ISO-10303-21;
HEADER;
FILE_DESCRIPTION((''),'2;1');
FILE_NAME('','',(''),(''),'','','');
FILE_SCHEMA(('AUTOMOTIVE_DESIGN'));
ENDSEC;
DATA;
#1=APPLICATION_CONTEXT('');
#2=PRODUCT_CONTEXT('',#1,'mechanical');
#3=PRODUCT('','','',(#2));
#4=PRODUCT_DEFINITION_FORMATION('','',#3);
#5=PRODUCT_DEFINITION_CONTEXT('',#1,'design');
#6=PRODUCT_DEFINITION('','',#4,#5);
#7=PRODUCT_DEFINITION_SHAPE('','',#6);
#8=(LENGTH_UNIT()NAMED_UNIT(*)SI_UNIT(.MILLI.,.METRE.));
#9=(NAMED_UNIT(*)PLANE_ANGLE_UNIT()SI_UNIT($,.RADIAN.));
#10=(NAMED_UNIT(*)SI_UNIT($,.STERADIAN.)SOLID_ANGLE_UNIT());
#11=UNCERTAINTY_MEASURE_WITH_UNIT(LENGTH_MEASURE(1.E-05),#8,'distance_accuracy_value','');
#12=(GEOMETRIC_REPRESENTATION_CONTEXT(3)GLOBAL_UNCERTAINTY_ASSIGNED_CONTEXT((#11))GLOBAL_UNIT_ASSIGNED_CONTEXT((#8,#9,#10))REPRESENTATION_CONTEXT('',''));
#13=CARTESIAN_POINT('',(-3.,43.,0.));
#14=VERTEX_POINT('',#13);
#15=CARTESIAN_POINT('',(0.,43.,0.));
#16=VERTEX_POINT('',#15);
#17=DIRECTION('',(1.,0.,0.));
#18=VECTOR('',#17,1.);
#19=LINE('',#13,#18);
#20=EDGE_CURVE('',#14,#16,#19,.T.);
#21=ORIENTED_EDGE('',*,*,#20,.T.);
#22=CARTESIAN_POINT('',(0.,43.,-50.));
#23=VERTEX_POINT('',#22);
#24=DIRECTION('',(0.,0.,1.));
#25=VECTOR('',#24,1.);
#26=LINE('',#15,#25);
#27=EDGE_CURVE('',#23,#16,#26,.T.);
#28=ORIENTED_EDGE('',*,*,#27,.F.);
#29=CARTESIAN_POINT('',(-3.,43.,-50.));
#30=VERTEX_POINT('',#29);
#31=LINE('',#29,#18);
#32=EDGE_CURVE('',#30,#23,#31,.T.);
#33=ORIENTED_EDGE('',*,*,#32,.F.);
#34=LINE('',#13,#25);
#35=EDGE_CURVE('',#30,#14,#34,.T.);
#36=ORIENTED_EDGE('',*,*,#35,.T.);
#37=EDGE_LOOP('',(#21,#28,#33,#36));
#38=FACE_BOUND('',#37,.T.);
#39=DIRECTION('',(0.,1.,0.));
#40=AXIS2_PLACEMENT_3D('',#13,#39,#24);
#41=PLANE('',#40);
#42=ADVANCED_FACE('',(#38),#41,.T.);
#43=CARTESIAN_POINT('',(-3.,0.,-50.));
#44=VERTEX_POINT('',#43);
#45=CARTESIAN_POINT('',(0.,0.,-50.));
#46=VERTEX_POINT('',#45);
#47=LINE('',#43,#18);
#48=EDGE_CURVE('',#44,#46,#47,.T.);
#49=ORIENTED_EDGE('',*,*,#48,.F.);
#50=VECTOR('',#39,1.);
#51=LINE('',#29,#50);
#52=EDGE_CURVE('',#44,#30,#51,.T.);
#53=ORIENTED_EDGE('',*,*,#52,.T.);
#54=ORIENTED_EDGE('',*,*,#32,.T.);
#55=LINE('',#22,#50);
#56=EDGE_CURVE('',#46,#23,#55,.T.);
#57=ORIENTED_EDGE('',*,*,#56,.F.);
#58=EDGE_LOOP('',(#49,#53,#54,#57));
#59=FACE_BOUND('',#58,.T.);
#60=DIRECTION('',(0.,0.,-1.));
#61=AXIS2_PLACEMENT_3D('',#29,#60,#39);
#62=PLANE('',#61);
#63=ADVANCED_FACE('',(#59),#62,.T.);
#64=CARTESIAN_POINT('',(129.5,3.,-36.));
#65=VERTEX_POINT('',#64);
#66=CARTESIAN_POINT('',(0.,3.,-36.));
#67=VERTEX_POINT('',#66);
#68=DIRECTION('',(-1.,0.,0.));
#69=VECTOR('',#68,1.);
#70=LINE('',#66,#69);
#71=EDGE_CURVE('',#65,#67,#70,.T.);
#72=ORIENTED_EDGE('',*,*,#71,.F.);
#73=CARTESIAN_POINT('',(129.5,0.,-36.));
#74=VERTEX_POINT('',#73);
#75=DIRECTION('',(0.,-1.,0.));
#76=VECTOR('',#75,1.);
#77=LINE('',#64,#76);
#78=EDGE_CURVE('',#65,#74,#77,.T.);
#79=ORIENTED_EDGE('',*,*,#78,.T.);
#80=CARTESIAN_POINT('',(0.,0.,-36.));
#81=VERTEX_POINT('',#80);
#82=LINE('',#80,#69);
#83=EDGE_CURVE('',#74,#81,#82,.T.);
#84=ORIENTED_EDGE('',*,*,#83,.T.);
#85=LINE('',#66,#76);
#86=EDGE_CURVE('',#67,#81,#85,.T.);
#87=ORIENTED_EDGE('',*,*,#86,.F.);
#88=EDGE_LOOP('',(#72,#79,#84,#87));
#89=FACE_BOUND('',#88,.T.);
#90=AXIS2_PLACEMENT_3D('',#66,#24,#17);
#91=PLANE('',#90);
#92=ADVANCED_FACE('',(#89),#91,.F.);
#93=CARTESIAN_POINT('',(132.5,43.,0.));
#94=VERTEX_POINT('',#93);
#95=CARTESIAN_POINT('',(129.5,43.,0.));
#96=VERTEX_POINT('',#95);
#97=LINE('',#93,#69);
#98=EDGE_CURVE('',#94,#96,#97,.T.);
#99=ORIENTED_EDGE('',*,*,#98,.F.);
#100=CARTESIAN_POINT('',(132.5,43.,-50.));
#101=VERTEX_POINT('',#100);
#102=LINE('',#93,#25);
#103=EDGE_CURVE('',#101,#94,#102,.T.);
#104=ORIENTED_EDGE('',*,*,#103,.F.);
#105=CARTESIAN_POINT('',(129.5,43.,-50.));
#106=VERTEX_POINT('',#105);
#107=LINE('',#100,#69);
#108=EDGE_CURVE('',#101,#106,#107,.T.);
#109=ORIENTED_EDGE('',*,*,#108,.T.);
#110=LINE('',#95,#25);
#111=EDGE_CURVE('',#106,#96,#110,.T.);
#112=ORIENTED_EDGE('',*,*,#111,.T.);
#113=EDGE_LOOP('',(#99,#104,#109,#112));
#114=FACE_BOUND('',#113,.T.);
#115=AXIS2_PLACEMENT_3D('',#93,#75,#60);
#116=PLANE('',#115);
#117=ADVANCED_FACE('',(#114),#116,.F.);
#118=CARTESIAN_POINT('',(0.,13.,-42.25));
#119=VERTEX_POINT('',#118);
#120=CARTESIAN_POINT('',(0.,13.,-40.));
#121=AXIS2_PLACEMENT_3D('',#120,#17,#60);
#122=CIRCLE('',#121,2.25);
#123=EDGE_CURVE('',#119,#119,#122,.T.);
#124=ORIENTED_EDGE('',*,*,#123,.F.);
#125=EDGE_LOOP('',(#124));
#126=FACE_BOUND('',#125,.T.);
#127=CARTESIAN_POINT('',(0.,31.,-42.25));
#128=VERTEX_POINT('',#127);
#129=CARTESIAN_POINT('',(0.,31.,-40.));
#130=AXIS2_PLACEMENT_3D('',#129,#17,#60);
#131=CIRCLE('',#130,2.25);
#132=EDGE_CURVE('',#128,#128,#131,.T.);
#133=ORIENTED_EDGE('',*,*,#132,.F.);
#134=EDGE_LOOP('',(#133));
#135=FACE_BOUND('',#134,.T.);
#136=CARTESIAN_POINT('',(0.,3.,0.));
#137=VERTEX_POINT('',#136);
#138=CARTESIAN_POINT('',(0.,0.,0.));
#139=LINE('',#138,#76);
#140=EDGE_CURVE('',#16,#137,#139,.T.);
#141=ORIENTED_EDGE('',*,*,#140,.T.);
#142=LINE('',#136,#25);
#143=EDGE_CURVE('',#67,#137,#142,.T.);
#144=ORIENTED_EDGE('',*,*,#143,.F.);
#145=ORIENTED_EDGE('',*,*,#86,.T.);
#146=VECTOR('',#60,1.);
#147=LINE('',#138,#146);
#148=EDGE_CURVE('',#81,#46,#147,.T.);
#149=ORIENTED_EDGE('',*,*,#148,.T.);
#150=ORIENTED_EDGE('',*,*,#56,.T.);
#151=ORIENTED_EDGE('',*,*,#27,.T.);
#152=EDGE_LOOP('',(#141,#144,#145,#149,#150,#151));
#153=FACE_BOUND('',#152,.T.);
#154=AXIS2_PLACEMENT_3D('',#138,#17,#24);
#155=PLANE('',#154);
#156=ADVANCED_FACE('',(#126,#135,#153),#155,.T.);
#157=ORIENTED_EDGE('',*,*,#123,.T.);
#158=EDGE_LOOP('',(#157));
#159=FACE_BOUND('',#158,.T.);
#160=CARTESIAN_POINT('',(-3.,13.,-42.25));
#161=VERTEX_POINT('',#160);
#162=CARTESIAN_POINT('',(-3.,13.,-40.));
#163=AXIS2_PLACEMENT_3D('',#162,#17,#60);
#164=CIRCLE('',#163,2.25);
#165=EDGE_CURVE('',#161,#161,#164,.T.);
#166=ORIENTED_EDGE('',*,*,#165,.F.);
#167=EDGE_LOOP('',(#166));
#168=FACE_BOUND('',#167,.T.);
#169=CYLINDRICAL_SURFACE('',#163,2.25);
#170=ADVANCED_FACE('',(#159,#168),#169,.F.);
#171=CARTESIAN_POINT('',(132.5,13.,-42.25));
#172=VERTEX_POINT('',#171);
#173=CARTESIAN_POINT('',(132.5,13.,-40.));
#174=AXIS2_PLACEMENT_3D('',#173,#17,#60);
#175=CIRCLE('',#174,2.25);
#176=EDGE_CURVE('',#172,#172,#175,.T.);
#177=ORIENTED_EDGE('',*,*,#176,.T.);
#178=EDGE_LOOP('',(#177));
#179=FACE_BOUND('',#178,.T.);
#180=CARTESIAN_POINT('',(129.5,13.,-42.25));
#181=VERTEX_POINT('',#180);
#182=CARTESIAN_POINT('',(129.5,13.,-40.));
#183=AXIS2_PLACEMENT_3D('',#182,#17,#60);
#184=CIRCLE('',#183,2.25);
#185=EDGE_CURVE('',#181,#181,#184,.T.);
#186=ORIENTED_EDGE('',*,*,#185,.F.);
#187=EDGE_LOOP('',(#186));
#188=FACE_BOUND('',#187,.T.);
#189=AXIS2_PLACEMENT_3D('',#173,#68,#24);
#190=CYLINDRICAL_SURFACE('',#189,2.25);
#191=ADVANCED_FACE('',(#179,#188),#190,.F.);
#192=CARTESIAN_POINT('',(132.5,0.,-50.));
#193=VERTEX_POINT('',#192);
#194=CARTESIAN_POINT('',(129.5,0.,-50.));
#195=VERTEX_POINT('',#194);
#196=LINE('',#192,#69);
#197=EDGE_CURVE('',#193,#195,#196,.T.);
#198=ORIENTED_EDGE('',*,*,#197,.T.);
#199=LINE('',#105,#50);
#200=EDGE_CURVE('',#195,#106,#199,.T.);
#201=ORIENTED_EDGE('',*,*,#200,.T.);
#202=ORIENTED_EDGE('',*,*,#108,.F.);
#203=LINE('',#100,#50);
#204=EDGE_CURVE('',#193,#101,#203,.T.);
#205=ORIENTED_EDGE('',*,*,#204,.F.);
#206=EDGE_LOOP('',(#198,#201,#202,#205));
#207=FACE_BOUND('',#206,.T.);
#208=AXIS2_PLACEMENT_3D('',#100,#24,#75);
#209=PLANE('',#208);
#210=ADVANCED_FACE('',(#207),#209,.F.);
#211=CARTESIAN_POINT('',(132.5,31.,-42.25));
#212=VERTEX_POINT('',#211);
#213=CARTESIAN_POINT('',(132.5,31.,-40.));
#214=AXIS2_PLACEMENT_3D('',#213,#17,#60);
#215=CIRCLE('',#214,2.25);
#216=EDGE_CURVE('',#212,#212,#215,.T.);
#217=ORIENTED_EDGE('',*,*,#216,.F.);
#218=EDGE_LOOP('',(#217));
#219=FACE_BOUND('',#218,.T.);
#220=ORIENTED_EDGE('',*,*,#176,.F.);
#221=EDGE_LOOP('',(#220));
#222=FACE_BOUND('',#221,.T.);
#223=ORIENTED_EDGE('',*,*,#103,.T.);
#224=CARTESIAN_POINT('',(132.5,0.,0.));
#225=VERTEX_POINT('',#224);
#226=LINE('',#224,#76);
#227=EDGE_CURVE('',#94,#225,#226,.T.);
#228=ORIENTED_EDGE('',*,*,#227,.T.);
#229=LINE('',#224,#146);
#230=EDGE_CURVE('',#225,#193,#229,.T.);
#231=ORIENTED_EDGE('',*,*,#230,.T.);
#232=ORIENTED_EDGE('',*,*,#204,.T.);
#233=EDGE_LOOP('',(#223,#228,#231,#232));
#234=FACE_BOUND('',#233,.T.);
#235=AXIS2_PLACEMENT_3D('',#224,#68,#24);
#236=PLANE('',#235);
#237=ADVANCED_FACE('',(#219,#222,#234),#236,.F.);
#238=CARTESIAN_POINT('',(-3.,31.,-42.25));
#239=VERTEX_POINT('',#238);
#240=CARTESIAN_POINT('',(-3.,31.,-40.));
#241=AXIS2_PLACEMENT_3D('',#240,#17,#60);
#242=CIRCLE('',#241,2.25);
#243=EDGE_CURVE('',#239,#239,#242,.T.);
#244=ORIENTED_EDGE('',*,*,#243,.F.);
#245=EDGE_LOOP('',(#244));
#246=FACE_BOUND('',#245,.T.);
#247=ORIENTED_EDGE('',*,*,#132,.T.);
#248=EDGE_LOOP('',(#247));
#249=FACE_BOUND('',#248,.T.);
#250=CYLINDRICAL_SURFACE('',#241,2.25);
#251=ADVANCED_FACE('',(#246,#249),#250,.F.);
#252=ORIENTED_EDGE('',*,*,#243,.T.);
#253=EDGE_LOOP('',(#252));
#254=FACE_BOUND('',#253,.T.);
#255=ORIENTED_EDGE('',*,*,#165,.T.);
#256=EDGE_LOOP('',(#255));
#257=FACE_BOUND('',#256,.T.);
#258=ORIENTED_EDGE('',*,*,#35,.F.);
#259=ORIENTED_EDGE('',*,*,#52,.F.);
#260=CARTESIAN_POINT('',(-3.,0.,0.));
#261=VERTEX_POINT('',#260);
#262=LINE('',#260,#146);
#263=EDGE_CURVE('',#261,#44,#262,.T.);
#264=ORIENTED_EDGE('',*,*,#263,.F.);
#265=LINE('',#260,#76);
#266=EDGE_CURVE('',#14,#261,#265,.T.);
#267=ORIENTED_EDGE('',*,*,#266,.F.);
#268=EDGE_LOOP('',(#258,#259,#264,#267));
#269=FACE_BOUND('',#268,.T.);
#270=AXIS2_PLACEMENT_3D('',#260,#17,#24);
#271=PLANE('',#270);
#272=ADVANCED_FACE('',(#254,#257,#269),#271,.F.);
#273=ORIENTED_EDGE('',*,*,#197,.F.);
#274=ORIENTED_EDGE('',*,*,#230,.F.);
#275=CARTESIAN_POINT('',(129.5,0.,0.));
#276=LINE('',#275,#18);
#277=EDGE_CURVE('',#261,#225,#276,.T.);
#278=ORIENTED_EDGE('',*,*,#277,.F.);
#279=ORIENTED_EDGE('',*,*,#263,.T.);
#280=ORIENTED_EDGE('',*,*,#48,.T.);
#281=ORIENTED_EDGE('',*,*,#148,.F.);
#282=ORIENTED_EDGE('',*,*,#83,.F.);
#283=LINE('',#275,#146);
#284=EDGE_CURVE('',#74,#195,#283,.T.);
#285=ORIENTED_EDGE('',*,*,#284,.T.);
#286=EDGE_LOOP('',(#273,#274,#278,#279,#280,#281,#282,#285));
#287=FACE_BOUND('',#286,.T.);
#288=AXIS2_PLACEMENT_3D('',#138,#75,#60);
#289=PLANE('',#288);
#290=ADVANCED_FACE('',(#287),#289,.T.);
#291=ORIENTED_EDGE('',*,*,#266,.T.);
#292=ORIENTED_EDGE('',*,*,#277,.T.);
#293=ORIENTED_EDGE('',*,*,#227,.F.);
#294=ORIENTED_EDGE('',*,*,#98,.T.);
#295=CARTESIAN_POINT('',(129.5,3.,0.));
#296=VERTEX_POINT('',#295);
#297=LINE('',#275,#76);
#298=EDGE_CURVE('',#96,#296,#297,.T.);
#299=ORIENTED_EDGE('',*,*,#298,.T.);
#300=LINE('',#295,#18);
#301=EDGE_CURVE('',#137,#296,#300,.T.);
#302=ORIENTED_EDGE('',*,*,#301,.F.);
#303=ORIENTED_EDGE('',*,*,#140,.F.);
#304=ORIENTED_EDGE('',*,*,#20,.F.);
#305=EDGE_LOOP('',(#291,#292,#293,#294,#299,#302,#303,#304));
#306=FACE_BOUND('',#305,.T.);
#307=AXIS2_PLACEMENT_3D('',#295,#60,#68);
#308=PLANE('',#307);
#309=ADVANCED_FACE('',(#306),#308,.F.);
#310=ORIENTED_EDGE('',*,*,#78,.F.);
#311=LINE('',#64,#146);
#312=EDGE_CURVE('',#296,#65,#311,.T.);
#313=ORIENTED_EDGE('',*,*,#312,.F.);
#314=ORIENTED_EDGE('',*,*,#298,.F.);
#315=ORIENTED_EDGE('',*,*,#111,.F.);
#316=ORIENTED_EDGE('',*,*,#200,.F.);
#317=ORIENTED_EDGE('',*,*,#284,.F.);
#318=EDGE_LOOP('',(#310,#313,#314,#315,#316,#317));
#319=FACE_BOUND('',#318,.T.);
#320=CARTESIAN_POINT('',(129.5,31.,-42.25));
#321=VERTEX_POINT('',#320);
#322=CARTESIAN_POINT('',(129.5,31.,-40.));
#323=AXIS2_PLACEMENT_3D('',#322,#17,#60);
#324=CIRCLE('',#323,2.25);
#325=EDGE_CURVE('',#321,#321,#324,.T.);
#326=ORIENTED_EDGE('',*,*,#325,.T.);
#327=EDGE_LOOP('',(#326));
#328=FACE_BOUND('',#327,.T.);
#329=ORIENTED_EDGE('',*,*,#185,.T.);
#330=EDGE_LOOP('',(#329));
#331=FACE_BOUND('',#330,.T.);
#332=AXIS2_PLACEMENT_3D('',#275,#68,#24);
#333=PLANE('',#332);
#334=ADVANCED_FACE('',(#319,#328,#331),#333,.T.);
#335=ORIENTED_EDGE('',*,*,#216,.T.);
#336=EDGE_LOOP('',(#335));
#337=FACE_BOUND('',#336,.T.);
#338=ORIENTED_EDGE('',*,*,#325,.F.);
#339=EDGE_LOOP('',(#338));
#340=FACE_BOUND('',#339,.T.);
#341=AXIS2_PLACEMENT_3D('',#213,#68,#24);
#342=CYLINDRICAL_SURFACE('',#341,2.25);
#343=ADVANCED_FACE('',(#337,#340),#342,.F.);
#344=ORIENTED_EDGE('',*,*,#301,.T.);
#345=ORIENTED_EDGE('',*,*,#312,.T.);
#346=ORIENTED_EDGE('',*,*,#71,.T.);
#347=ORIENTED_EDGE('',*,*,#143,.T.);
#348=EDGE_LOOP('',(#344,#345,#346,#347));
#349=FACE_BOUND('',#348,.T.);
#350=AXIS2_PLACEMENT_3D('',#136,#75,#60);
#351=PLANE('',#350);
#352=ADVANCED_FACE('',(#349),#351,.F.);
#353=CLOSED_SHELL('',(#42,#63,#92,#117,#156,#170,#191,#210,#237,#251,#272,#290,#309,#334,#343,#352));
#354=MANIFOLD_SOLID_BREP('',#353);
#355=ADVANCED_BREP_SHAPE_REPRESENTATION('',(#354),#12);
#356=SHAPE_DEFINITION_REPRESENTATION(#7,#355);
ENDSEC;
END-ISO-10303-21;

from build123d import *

# Parameters (mm, degrees)
SKETCH1_W           = 129.5
SKETCH1_H           = 36
BOSS_EXTRUDE1_DEPTH = 3
SKETCH2_W           = 50
SKETCH2_H           = 43
SKETCH2_R           = 2.25
BOSS_EXTRUDE2_DEPTH = 3


with BuildPart() as part:
    # Sketch1 → Boss-Extrude1 (new body)
    with BuildSketch(Plane(origin=(0, 0, 0), x_dir=(1, 0, 0), z_dir=(0, 1, 0))):
        with Locations((64.75, 18)):
            Rectangle(SKETCH1_W, SKETCH1_H)
    extrude(amount=BOSS_EXTRUDE1_DEPTH)

    # Sketch2 → Boss-Extrude2 (add)
    with BuildSketch(Plane(origin=(129.5, 0, 0), x_dir=(0, 0, -1), z_dir=(1, 0, 0))):
        with Locations((25, 21.5)):
            Rectangle(SKETCH2_W, SKETCH2_H)
        with Locations((40, 31)):
            Circle(SKETCH2_R, mode=Mode.SUBTRACT)
        with Locations((40, 13)):
            Circle(SKETCH2_R, mode=Mode.SUBTRACT)
    boss_extrude2 = extrude(amount=BOSS_EXTRUDE2_DEPTH)

    # Mirror1: Boss-Extrude2 across plane
    add(boss_extrude2.mirror(Plane(origin=(64.75, 0, 0), x_dir=(0, 0, 1), z_dir=(1, 0, 0))))


solid = part.part
